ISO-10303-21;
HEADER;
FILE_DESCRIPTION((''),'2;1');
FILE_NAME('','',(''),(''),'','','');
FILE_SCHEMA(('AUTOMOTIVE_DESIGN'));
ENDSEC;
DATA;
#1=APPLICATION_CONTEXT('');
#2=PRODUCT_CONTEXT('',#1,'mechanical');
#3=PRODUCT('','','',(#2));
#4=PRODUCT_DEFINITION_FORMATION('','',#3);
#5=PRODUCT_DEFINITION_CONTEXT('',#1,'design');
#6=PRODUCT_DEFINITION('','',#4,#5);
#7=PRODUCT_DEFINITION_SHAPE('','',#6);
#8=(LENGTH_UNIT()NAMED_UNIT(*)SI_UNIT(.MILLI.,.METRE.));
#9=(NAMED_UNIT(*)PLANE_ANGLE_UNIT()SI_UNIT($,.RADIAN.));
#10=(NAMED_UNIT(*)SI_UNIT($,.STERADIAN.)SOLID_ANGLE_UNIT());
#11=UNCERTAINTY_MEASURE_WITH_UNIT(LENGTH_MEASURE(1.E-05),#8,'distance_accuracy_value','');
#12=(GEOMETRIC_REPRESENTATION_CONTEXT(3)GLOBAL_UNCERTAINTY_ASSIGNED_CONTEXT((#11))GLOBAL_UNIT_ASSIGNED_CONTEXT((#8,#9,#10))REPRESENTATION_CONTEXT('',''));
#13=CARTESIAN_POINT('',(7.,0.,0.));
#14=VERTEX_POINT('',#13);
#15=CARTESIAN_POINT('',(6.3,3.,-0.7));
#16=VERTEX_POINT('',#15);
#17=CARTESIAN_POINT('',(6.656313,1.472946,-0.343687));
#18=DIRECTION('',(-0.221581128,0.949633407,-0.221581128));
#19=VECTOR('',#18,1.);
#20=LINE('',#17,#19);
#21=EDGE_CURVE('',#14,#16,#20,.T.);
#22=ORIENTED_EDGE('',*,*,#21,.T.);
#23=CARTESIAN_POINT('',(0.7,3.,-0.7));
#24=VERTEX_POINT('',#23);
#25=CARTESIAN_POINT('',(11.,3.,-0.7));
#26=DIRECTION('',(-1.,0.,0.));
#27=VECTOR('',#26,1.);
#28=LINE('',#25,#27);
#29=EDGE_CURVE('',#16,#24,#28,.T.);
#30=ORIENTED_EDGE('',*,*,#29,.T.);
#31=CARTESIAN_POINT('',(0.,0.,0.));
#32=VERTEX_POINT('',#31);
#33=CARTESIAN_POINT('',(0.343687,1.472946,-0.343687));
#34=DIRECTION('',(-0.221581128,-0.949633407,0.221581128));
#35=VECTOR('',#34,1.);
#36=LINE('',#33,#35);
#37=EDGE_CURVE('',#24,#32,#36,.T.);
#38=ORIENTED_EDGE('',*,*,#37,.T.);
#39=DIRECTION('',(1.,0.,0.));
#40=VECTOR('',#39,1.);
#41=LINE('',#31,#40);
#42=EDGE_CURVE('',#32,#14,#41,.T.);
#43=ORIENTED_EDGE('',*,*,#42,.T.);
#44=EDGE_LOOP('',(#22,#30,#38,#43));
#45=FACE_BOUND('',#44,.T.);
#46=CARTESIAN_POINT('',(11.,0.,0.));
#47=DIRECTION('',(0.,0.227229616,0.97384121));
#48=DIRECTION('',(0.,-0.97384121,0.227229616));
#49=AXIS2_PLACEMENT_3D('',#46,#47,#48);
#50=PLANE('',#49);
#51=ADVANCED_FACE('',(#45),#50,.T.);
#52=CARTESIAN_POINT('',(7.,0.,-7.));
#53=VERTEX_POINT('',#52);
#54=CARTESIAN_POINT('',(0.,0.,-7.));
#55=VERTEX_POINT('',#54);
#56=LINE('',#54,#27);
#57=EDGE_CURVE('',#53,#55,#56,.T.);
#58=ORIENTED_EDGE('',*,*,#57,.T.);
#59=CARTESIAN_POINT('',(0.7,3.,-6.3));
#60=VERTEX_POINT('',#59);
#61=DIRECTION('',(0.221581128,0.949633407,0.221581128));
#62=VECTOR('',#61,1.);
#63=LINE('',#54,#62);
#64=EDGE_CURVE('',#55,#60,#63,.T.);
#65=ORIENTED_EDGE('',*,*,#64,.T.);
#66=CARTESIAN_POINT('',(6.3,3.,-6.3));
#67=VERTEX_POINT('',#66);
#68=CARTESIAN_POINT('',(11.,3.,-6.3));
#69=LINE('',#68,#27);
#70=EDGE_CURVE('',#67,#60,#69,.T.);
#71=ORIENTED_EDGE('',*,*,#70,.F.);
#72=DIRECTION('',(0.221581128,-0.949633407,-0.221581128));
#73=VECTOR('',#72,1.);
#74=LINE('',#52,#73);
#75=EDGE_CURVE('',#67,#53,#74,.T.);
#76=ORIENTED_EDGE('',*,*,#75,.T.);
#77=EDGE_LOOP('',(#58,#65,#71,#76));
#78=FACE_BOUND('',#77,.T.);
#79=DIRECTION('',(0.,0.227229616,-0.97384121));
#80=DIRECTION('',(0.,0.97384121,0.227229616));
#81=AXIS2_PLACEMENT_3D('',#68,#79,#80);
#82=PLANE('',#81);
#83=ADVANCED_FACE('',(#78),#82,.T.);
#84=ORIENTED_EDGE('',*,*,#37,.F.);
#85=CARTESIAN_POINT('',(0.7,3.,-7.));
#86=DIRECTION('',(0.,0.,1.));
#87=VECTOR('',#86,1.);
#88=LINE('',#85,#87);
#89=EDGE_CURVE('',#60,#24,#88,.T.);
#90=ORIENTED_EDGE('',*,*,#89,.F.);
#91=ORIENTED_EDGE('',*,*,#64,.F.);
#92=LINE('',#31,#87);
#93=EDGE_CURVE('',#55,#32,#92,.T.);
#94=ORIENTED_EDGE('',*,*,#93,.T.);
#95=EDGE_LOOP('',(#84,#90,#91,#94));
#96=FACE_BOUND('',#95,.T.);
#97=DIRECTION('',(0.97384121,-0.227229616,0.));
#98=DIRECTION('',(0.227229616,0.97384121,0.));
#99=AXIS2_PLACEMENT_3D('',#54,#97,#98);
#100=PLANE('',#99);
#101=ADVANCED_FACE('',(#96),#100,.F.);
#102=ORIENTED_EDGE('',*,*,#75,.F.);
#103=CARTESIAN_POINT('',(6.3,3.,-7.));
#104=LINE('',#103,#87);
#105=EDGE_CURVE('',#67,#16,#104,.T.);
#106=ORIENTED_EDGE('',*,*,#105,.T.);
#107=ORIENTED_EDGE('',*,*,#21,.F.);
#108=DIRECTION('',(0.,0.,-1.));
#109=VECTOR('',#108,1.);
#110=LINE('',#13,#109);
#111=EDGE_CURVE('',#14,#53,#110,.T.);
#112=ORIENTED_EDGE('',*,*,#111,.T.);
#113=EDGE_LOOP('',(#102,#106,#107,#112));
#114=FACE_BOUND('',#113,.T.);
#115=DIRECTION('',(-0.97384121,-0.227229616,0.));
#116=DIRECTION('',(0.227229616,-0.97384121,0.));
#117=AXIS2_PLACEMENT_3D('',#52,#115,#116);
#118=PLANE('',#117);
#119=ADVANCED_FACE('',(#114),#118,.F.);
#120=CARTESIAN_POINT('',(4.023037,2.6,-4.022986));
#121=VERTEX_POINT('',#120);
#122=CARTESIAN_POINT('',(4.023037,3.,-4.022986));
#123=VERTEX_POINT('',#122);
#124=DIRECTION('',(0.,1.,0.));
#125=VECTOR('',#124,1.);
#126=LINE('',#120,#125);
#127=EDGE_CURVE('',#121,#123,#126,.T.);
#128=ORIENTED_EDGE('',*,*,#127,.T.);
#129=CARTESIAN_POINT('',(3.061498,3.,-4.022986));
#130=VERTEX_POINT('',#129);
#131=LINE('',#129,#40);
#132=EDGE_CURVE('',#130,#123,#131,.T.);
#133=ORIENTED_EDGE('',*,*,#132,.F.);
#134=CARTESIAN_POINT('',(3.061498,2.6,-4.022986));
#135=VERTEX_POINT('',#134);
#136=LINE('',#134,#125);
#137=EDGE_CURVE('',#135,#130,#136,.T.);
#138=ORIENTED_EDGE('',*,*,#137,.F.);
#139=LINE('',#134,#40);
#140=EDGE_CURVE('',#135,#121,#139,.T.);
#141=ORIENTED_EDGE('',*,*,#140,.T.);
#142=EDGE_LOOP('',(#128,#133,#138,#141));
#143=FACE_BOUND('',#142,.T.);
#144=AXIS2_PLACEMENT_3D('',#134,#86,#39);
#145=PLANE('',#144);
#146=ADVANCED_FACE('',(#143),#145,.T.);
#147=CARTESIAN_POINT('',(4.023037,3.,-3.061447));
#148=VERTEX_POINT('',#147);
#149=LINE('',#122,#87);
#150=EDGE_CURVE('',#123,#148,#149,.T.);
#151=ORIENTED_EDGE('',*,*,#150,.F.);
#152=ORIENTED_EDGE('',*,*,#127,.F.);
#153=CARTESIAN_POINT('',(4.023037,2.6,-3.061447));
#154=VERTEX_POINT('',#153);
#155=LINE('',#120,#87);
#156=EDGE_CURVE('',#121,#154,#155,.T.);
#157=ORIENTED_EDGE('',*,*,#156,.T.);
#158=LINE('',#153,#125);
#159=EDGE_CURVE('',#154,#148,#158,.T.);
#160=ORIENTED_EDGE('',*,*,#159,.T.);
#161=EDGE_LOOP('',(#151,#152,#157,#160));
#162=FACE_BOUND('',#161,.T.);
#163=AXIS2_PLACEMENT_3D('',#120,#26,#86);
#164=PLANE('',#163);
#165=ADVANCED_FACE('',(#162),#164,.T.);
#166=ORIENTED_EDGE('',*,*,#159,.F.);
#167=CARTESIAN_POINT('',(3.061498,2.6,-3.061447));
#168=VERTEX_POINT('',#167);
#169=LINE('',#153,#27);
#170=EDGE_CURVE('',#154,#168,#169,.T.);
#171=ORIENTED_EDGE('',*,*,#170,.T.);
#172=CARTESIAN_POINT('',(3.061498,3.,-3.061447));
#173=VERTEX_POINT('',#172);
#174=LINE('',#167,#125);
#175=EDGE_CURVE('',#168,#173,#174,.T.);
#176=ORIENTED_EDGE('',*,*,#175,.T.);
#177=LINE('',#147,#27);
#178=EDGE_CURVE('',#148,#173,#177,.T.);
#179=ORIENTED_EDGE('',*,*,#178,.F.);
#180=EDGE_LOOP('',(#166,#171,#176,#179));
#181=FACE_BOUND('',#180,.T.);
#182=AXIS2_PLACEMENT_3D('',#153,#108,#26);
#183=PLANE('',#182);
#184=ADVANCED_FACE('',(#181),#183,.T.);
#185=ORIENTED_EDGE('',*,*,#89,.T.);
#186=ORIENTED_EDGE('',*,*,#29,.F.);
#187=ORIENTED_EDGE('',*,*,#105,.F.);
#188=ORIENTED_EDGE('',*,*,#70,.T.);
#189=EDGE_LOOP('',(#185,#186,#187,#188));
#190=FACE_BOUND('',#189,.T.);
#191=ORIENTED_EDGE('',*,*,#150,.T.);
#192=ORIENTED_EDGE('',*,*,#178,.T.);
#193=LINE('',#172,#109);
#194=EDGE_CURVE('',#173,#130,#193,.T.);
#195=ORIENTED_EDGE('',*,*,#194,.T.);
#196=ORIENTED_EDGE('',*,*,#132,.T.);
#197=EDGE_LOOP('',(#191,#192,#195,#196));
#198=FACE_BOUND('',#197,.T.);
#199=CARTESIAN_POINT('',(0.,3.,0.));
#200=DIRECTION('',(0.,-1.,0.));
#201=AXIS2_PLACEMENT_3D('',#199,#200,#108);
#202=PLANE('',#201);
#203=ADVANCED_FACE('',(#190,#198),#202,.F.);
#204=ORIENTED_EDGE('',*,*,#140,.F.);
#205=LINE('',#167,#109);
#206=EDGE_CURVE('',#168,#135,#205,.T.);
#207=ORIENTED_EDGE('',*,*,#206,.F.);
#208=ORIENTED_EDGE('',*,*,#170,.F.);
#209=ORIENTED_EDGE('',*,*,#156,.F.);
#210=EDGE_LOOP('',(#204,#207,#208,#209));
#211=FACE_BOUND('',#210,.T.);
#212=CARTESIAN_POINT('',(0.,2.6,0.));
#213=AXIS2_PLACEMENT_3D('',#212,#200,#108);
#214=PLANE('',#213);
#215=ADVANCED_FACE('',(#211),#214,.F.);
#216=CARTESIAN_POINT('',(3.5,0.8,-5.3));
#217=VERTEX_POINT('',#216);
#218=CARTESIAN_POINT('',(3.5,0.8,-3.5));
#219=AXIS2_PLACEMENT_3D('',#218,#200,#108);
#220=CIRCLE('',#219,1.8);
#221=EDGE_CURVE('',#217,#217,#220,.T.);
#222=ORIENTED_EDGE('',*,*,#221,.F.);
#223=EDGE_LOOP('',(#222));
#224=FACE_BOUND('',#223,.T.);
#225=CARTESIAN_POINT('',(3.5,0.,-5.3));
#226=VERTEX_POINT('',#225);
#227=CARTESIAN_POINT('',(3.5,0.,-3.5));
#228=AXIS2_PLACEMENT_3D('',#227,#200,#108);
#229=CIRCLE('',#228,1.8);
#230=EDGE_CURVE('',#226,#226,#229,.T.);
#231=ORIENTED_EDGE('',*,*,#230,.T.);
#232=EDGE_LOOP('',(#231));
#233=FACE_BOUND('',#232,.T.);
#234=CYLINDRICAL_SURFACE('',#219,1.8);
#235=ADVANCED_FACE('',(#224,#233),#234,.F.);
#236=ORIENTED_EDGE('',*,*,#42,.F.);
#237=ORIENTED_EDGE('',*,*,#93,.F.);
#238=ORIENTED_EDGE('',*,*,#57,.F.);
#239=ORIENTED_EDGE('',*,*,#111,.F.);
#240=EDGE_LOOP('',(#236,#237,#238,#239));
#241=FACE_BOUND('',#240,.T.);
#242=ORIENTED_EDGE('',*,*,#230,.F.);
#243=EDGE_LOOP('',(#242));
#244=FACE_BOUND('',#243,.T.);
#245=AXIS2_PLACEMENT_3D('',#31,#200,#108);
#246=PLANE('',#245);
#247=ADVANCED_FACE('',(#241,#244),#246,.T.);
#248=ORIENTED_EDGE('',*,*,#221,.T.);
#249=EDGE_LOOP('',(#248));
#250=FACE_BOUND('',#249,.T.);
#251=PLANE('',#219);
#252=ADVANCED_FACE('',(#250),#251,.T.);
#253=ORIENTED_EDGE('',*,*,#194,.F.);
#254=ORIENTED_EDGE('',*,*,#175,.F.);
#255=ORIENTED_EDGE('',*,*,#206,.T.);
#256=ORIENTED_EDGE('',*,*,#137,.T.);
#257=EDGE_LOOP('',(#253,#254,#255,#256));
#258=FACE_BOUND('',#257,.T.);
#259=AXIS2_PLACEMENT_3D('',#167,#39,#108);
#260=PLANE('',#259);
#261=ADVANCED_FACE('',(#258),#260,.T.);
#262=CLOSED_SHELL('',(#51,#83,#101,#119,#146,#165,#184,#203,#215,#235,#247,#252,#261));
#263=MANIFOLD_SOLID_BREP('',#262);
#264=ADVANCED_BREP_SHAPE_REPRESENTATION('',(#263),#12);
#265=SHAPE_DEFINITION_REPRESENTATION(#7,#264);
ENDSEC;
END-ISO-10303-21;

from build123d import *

# Parameters (mm, degrees)
SKETCH1_W           = 7
SKETCH1_H           = 7
BOSS_EXTRUDE1_DEPTH = 3
CUT_EXTRUDE1_DEPTH  = 7
CUT_EXTRUDE2_DEPTH  = 11
SKETCH4_R           = 1.8
CUT_EXTRUDE3_DEPTH  = 0.8
SKETCH5_W           = 0.961538462
SKETCH5_H           = 0.961538462
CUT_EXTRUDE4_DEPTH  = 0.4


with BuildPart() as part:
    # Sketch1 → Boss-Extrude1 (new body)
    with BuildSketch(Plane(origin=(0, 0, 0), x_dir=(1, 0, 0), z_dir=(0, 1, 0))):
        with Locations((3.5, 3.5)):
            Rectangle(SKETCH1_W, SKETCH1_H)
    extrude(amount=BOSS_EXTRUDE1_DEPTH)

    # Sketch2 → Cut-Extrude1 (cut)
    with BuildSketch(Plane.XY):
        Polygon((0, 0), (0.7, 3), (0, 3), align=None)
        Polygon((7, 0), (6.3, 3), (7, 3), align=None)
    extrude(amount=-CUT_EXTRUDE1_DEPTH, mode=Mode.SUBTRACT)

    # Sketch3 → Cut-Extrude2 (cut)
    with BuildSketch(Plane(origin=(0, 0, 0), x_dir=(0, 0, -1), z_dir=(1, 0, 0))):
        Polygon((0, 0), (0.7, 3), (0, 3), align=None)
        Polygon((7, 3), (6.3, 3), (7, 0), align=None)
    extrude(amount=CUT_EXTRUDE2_DEPTH, mode=Mode.SUBTRACT)

    # Sketch4 → Cut-Extrude3 (cut)
    with BuildSketch(Plane.XZ):
        with Locations(Location((3.5, -3.5, 0), (0, 0, 270))):
            Circle(SKETCH4_R)
    extrude(amount=-CUT_EXTRUDE3_DEPTH, mode=Mode.SUBTRACT)

    # Sketch5 → Cut-Extrude4 (cut)
    with BuildSketch(Plane(origin=(0, 3, 0), x_dir=(1, 0, 0), z_dir=(0, 1, 0))):
        with Locations((3.542267308, 3.542216335)):
            Rectangle(SKETCH5_W, SKETCH5_H)
    extrude(amount=-CUT_EXTRUDE4_DEPTH, mode=Mode.SUBTRACT)


solid = part.part
